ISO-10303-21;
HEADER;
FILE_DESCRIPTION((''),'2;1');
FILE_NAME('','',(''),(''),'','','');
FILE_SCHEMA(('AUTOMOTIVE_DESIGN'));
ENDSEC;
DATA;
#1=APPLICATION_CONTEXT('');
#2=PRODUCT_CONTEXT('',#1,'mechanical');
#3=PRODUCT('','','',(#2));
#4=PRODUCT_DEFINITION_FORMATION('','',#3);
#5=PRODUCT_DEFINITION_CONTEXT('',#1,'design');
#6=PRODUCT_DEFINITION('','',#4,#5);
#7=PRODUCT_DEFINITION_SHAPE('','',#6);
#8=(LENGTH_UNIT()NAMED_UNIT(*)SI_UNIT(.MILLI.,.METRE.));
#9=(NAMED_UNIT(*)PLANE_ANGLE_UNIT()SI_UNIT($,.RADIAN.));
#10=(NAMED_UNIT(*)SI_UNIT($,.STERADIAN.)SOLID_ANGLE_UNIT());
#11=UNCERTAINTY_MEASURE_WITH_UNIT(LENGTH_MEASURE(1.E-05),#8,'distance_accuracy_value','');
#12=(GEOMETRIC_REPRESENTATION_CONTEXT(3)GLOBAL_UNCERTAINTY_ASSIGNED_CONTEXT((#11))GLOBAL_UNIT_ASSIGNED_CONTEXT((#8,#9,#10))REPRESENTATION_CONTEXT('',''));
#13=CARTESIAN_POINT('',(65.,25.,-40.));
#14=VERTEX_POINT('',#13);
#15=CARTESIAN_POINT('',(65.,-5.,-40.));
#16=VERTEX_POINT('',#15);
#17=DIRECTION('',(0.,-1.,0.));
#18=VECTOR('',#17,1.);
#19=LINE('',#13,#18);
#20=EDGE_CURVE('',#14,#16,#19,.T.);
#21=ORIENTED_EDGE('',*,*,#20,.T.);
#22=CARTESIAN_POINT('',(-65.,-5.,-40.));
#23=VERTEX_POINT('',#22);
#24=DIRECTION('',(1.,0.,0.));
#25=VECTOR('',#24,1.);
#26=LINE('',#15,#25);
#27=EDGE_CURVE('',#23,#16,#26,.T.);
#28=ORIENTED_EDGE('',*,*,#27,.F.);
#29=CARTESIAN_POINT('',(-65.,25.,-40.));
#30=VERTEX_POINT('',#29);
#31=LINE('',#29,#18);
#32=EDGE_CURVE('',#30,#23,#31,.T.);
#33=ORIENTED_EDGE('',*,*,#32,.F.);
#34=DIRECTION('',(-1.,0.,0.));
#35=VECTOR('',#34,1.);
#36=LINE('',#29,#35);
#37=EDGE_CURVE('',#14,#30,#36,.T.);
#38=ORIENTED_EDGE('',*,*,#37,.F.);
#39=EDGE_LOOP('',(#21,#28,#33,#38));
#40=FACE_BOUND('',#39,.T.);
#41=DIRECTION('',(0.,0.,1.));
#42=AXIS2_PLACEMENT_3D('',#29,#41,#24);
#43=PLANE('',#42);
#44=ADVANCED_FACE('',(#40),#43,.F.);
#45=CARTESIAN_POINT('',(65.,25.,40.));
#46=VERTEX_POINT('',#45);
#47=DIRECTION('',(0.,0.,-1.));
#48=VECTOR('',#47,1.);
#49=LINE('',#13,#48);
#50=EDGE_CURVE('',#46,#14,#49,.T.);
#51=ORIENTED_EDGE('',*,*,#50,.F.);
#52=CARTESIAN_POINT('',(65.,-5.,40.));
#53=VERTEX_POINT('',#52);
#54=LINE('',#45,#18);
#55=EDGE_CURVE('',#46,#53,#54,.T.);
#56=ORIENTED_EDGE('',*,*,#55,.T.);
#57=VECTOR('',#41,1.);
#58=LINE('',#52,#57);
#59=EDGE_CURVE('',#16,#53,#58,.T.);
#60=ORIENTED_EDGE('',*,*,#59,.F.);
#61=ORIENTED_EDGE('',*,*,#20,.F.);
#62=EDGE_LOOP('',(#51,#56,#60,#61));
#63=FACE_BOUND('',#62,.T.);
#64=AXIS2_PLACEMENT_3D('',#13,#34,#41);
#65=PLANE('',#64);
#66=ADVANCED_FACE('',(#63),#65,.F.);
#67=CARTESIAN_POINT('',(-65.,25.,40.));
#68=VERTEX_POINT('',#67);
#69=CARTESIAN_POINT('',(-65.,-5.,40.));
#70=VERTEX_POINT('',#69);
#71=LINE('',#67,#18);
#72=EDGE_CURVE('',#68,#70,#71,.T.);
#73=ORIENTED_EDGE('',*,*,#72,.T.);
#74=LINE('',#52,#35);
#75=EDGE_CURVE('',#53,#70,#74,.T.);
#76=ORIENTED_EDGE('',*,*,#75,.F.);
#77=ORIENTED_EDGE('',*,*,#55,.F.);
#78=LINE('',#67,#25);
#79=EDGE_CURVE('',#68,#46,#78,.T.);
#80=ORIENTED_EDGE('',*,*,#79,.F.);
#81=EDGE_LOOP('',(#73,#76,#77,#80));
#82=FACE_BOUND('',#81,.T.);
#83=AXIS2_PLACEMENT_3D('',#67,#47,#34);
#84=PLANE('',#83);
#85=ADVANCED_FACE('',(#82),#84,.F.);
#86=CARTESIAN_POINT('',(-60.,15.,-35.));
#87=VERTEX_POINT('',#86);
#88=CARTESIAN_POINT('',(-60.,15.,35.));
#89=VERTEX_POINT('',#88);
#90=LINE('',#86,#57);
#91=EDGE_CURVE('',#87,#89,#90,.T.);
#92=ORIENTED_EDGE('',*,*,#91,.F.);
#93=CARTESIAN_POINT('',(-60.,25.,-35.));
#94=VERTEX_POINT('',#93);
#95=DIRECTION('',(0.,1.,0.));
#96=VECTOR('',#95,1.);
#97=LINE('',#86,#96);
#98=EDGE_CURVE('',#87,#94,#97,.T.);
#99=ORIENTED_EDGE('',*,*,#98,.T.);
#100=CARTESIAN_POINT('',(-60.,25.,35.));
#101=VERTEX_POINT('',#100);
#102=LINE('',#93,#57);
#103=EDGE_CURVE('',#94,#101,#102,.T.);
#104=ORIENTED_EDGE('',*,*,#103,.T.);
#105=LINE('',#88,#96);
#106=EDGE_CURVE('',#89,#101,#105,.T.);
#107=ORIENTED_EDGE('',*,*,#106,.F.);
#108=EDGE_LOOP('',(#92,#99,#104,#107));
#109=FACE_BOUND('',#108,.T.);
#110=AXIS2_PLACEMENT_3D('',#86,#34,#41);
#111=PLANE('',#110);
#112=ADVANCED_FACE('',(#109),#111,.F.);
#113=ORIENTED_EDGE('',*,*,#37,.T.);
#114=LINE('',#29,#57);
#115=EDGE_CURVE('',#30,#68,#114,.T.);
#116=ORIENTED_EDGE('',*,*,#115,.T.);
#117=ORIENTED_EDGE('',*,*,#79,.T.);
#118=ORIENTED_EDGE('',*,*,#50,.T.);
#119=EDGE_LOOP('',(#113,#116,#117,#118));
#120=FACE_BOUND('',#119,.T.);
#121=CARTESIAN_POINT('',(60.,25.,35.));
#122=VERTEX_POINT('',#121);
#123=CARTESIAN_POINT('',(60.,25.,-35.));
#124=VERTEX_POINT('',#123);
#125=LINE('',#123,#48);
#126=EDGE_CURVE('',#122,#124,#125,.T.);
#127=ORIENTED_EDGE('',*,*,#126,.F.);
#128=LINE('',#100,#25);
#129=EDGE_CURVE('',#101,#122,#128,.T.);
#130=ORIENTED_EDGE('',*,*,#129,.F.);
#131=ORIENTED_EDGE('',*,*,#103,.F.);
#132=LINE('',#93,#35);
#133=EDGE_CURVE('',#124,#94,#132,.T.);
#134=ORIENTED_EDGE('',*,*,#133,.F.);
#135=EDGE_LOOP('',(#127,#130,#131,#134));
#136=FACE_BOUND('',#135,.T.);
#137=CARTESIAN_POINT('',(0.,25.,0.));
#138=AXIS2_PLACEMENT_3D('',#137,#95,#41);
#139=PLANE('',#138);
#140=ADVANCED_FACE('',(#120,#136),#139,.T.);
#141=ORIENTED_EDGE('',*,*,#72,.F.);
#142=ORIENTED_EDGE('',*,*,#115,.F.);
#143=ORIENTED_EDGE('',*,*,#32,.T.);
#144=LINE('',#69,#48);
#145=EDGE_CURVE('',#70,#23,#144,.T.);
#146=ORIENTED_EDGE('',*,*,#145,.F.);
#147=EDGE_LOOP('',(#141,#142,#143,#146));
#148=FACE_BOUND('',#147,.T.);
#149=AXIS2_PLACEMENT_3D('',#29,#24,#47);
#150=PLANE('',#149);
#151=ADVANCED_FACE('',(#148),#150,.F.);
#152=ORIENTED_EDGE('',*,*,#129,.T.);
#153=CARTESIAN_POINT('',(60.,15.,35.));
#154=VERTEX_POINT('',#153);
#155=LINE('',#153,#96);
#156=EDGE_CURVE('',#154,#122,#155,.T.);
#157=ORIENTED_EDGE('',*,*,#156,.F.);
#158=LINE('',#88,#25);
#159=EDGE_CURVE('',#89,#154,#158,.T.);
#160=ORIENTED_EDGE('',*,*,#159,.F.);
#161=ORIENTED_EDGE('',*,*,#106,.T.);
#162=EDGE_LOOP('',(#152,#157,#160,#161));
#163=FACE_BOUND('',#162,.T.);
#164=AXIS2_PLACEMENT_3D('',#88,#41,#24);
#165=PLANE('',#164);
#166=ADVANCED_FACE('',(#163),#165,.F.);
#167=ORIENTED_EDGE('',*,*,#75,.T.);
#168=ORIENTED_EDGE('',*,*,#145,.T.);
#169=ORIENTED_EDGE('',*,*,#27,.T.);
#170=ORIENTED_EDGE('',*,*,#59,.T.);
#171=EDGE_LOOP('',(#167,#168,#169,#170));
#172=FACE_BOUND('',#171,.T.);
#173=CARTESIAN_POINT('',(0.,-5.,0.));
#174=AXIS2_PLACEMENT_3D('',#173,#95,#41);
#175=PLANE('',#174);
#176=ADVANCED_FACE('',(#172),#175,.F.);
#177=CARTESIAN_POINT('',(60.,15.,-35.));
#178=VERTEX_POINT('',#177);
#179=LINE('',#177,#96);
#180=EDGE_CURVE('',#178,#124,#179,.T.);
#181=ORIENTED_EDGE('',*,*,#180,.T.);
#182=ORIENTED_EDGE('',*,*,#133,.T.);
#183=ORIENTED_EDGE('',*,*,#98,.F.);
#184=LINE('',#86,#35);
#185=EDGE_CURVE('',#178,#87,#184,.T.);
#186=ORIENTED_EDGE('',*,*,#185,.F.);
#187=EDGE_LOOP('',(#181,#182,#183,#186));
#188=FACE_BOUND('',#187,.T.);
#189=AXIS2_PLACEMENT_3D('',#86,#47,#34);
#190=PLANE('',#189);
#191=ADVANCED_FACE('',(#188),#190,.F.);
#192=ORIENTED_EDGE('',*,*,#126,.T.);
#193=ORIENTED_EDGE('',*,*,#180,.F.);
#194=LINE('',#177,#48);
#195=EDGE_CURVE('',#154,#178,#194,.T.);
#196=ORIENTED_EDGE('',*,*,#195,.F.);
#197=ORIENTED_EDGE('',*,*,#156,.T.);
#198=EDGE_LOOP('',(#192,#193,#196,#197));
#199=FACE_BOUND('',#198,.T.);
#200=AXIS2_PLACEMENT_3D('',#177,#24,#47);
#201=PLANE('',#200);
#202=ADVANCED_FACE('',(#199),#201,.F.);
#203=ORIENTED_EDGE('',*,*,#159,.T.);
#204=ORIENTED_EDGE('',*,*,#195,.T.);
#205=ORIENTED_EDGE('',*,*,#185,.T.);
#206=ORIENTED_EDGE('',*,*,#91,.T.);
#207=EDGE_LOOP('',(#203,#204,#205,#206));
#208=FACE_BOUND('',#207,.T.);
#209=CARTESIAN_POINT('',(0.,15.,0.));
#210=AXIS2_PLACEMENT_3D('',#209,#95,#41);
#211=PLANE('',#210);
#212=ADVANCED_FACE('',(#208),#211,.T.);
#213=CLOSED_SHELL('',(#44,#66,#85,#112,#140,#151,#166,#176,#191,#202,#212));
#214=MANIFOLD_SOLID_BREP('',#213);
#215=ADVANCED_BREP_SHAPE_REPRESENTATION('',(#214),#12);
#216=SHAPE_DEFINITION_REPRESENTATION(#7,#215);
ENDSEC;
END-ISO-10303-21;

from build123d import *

# Parameters (mm, degrees)
SKETCH2_W           = 130
SKETCH2_H           = 80
BOSS_EXTRUDE1_DEPTH = 25
SKETCH5_W           = 120
SKETCH5_H           = 70
CUT_EXTRUDE1_DEPTH  = 10
SKETCH6_W           = 130
SKETCH6_H           = 80
BOSS_EXTRUDE2_DEPTH = 5


with BuildPart() as part:
    # Sketch2 → Boss-Extrude1 (new body)
    with BuildSketch(Plane(origin=(0, 0, 0), x_dir=(1, 0, 0), z_dir=(0, 1, 0))):
        Rectangle(SKETCH2_W, SKETCH2_H)
    extrude(amount=BOSS_EXTRUDE1_DEPTH)

    # Sketch5 → Cut-Extrude1 (cut)
    with BuildSketch(Plane(origin=(0, 25, 0), x_dir=(1, 0, 0), z_dir=(0, 1, 0))):
        Rectangle(SKETCH5_W, SKETCH5_H)
    extrude(amount=-CUT_EXTRUDE1_DEPTH, mode=Mode.SUBTRACT)

    # Sketch6 → Boss-Extrude2 (add)
    with BuildSketch(Plane(origin=(0, 0, 0), x_dir=(-1, 0, 0), z_dir=(0, -1, 0))):
        Rectangle(SKETCH6_W, SKETCH6_H)
    extrude(amount=BOSS_EXTRUDE2_DEPTH)


solid = part.part
